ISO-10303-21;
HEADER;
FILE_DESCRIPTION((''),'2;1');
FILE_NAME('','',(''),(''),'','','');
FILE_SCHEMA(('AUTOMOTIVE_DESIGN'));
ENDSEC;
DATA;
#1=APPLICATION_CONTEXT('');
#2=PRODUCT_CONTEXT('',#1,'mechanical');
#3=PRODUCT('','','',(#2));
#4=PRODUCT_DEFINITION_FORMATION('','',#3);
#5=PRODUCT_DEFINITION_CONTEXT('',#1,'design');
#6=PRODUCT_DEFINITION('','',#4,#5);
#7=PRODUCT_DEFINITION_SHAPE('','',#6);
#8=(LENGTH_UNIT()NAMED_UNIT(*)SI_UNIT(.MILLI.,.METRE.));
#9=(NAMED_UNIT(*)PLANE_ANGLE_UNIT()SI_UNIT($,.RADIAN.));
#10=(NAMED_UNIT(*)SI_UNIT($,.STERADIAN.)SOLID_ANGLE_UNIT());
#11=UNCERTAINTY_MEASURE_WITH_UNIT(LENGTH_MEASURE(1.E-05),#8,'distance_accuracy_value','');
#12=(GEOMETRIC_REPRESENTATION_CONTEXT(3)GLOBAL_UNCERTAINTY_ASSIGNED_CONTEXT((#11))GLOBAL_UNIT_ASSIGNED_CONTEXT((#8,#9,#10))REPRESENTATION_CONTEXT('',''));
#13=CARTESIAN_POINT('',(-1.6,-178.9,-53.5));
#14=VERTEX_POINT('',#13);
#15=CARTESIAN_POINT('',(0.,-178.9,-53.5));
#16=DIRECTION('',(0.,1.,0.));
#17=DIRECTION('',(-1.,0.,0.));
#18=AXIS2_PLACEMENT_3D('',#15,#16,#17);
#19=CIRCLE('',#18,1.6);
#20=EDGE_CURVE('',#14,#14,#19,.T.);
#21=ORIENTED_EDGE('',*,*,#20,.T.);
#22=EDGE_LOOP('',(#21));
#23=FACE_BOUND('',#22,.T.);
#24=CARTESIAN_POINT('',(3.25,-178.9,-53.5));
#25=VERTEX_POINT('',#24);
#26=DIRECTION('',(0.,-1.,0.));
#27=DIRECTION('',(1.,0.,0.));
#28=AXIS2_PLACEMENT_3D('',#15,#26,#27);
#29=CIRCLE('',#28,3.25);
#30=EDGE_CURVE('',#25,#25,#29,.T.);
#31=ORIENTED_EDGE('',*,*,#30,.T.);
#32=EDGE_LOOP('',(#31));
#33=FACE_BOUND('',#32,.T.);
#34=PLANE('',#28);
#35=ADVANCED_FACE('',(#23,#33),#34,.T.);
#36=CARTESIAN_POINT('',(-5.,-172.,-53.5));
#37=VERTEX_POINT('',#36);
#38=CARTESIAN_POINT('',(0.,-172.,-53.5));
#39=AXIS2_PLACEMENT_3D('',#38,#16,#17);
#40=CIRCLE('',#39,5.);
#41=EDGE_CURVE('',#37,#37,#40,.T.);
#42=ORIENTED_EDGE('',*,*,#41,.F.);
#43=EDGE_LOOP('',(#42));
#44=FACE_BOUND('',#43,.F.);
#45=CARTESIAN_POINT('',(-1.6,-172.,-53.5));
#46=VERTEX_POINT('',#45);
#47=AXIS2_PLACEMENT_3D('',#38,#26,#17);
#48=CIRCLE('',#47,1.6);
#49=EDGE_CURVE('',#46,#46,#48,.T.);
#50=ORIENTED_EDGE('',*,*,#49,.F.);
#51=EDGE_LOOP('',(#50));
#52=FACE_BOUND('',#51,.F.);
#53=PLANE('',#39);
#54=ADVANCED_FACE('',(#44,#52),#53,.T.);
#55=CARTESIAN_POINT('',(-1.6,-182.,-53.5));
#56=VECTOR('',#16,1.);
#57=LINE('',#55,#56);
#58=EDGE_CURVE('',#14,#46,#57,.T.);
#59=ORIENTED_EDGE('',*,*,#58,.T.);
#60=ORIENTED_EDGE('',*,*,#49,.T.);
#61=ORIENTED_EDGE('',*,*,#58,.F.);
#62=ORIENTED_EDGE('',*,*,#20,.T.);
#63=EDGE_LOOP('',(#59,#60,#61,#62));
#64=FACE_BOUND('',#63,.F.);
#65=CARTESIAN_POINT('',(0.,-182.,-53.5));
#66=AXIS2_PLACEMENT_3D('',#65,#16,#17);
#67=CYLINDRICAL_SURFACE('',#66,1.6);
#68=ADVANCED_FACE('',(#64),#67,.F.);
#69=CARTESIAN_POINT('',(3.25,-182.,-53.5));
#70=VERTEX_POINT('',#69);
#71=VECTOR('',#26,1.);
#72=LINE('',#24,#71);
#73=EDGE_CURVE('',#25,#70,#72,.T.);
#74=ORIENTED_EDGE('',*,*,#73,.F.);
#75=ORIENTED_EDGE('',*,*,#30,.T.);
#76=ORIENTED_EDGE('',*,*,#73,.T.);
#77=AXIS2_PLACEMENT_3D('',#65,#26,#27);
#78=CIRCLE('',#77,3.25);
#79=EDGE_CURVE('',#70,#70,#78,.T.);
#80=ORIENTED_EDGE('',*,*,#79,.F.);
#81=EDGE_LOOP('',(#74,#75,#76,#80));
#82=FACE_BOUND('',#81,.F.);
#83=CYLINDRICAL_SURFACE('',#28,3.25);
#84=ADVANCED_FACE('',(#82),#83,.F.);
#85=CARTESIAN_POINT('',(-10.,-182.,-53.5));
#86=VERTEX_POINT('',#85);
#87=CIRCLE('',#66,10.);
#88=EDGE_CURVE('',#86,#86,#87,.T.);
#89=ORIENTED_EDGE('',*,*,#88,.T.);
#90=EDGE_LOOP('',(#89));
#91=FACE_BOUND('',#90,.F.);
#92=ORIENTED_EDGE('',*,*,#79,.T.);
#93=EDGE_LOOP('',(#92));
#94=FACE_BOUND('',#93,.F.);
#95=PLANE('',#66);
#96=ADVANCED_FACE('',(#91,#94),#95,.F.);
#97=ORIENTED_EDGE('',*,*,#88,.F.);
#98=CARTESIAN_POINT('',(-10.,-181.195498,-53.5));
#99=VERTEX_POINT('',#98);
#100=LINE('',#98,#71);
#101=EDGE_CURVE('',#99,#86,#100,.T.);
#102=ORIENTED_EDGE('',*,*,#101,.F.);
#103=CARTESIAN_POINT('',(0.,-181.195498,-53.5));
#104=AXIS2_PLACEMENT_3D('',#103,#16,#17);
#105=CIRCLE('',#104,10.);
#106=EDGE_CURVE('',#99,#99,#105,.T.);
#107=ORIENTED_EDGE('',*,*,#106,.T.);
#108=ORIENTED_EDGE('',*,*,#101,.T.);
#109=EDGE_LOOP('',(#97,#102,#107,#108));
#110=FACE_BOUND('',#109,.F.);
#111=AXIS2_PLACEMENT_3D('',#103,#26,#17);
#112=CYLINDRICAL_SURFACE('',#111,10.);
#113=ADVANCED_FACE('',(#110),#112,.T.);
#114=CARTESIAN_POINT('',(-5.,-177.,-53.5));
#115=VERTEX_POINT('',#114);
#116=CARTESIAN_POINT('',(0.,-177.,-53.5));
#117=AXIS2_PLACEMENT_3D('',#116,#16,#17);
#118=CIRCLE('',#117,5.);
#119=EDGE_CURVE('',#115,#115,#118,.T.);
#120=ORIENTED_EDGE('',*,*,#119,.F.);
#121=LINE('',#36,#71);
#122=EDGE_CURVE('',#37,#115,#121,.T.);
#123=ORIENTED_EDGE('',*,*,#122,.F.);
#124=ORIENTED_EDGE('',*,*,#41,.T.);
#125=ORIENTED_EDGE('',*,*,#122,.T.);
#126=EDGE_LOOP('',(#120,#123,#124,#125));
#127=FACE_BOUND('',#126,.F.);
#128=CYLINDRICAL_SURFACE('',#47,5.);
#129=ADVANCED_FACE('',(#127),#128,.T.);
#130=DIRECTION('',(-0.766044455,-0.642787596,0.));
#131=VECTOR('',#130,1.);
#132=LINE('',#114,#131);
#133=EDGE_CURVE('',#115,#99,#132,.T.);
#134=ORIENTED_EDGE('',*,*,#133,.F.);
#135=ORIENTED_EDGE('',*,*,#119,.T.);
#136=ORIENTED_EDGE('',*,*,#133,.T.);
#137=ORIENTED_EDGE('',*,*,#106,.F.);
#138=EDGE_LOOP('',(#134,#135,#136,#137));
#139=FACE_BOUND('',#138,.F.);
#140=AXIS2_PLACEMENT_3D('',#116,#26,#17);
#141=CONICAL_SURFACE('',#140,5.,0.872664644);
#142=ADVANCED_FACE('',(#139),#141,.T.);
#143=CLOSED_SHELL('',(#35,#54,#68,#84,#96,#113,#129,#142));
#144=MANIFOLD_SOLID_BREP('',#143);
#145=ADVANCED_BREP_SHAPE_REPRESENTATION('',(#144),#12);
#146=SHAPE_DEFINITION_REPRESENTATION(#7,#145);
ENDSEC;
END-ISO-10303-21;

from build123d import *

# Parameters (mm, degrees)
HOLE001_D           = 3.2
HOLE001_DEPTH       = 10
HOLE001_CBORE_D     = 6.5
HOLE001_CBORE_DEPTH = 3.1
HOLE001_TIPS_R      = 1.6


with BuildPart() as part:
    # Sketch060 → Revolution001 (revolve)
    with BuildSketch(Plane.XY):
        Polygon((0, 0), (-5, 0), (-5, -5), (-10, -9.195498), (-10, -10), (0, -10), align=None)
    revolve(axis=Axis((0, 0, 0), (0, 1, 0)))

    # Hole001
    with Locations(Plane.XZ.offset(10)):
        with Locations((0, 0)):
            CounterBoreHole(HOLE001_D / 2, HOLE001_CBORE_D / 2, HOLE001_CBORE_DEPTH, depth=HOLE001_DEPTH)

    # Hole001 tips → Hole001 tip 1 section 0
    with BuildSketch(Plane.XZ, mode=Mode.PRIVATE) as hole001_tip_1_s0:
        Circle(HOLE001_TIPS_R)
    loft([hole001_tip_1_s0.sketch, Vertex(0, 0.961377, 0)], mode=Mode.SUBTRACT)


with BuildPart() as part_1:
    # Body008 placement: moved
    add(part.part.moved(Location((0, -172, -53.5))))


solid = part_1.part
